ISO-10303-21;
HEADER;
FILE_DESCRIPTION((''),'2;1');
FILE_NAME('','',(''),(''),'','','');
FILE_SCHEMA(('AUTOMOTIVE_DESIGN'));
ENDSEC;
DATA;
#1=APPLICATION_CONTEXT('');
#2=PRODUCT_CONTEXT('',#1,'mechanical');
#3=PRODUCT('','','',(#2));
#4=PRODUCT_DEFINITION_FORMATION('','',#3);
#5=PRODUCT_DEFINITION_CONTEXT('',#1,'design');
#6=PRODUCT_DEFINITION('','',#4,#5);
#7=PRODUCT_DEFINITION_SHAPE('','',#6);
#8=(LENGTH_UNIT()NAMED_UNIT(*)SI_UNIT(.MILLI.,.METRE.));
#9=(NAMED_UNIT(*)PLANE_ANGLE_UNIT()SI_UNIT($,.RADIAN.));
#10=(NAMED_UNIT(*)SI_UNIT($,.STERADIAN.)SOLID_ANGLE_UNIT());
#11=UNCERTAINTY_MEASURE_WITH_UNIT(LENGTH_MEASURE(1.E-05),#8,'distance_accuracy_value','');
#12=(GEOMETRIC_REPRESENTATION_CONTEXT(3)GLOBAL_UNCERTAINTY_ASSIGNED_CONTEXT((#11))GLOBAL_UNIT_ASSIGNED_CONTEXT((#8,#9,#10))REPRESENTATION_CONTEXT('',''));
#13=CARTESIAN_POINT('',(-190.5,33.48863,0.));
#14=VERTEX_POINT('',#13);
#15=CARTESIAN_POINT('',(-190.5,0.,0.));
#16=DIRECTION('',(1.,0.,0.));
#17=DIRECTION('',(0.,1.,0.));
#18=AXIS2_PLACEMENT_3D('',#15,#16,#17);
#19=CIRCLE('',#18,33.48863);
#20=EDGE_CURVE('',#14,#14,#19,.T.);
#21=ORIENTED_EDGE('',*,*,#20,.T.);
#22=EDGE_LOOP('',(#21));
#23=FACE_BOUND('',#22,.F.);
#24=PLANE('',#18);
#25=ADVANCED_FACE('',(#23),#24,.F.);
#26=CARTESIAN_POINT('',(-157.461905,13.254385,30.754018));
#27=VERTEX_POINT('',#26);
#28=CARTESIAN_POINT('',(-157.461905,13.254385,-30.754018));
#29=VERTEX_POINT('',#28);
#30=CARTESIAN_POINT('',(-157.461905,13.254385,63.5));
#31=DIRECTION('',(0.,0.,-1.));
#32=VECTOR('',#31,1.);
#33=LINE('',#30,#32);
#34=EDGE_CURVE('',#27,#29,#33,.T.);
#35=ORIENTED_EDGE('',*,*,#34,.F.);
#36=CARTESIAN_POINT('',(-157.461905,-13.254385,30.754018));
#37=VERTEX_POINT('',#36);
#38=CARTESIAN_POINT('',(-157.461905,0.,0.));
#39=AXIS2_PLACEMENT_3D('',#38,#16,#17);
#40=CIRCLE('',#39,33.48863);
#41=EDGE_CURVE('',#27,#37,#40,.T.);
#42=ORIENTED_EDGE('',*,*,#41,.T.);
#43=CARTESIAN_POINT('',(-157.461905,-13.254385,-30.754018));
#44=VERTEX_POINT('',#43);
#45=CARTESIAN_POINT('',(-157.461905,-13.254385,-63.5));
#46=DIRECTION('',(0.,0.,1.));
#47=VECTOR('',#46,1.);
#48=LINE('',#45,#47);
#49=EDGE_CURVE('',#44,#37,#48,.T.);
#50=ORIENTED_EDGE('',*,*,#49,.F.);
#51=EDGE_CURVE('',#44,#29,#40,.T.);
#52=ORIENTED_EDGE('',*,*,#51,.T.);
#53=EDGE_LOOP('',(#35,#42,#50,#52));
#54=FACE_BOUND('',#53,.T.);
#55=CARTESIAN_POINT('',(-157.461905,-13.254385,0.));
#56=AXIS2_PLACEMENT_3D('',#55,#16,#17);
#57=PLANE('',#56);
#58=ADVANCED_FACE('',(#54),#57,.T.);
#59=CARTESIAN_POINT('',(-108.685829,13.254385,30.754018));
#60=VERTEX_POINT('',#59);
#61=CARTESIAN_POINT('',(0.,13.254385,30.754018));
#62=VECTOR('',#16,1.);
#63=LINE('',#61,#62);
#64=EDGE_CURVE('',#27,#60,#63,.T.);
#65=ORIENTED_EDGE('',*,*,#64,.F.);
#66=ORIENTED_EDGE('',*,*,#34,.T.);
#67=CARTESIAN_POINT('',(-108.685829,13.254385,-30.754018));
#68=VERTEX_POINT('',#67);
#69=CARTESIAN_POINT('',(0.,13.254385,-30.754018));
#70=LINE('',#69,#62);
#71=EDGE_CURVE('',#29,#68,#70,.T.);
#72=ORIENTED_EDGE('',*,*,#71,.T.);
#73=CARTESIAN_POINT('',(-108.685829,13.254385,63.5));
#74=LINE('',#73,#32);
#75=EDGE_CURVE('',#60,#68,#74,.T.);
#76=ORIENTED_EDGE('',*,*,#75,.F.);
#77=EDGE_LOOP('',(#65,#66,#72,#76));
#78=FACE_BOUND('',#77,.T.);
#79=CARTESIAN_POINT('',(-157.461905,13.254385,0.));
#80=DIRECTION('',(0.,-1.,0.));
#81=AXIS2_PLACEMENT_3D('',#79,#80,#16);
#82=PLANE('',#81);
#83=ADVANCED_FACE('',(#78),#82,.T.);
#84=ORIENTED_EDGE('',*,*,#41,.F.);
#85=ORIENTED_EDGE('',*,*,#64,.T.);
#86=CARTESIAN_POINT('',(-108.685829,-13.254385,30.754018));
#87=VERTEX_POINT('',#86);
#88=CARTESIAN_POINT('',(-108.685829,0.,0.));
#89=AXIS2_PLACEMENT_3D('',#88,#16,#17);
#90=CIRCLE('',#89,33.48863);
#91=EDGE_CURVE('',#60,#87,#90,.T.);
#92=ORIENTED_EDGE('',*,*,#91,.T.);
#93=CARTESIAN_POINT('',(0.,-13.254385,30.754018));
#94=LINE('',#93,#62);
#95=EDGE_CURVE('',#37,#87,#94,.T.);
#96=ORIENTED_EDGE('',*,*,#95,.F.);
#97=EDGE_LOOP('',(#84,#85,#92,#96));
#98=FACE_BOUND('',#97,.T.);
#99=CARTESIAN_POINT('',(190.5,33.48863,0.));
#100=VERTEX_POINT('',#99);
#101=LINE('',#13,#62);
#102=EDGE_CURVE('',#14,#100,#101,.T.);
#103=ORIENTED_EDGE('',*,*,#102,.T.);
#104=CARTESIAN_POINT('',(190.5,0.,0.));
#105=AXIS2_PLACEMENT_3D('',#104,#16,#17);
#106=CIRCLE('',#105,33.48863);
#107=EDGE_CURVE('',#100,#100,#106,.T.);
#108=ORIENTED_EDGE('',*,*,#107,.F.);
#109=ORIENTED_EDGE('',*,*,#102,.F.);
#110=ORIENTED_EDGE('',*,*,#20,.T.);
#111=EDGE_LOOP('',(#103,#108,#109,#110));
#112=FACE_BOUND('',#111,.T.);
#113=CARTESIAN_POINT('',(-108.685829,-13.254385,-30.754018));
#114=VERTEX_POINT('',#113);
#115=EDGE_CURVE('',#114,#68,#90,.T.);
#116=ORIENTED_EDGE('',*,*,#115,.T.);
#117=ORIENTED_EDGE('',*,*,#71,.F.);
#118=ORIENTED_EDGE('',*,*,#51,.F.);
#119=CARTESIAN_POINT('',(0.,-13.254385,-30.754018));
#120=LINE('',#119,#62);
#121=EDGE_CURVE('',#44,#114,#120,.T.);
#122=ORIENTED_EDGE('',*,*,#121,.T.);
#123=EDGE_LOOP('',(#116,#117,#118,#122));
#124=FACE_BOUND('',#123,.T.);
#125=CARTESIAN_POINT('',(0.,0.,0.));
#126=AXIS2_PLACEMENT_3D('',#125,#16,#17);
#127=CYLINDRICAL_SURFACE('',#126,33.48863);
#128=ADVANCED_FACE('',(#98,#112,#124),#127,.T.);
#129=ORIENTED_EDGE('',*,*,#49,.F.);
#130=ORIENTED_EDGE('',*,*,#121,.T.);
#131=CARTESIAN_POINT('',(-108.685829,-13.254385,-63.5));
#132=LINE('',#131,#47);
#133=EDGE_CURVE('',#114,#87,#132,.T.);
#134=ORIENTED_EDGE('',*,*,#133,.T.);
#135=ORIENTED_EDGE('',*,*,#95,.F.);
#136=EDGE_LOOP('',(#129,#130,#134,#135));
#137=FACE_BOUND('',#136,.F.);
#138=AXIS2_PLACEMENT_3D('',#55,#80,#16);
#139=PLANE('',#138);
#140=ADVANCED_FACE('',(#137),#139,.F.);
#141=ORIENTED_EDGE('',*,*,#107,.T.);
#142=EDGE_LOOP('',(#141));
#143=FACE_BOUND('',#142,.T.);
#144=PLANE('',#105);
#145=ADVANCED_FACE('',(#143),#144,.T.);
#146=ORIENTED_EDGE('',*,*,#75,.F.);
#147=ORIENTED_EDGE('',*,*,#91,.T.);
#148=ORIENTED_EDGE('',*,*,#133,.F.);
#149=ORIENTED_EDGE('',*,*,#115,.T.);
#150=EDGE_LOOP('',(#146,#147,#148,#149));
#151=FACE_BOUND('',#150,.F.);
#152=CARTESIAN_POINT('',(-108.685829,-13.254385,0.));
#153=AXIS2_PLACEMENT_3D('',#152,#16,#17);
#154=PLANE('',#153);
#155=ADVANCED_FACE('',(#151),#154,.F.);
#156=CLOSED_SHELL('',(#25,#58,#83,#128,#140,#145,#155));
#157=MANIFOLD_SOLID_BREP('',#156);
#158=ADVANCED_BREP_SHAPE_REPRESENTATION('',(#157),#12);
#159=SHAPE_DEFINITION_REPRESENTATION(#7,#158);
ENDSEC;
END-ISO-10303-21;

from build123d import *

# Parameters (mm, degrees)
F0_R     = 33.48863
F1_DEPTH = 190.5
F2_W     = 48.776075
F2_H     = 26.50877
F3_DEPTH = 63.5


with BuildPart() as f1:
    # F0 (on Right) → F1 (new body, symmetric)
    with BuildSketch(Plane.YZ):
        Circle(F0_R)
    extrude(amount=F1_DEPTH, both=True)

    # F2 (on Top) → F3 (cut, symmetric)
    with BuildSketch(Plane.XY):
        with Locations((-133.073867, 0)):
            Rectangle(F2_W, F2_H)
    extrude(amount=F3_DEPTH, both=True, mode=Mode.SUBTRACT)


solid = f1.part
